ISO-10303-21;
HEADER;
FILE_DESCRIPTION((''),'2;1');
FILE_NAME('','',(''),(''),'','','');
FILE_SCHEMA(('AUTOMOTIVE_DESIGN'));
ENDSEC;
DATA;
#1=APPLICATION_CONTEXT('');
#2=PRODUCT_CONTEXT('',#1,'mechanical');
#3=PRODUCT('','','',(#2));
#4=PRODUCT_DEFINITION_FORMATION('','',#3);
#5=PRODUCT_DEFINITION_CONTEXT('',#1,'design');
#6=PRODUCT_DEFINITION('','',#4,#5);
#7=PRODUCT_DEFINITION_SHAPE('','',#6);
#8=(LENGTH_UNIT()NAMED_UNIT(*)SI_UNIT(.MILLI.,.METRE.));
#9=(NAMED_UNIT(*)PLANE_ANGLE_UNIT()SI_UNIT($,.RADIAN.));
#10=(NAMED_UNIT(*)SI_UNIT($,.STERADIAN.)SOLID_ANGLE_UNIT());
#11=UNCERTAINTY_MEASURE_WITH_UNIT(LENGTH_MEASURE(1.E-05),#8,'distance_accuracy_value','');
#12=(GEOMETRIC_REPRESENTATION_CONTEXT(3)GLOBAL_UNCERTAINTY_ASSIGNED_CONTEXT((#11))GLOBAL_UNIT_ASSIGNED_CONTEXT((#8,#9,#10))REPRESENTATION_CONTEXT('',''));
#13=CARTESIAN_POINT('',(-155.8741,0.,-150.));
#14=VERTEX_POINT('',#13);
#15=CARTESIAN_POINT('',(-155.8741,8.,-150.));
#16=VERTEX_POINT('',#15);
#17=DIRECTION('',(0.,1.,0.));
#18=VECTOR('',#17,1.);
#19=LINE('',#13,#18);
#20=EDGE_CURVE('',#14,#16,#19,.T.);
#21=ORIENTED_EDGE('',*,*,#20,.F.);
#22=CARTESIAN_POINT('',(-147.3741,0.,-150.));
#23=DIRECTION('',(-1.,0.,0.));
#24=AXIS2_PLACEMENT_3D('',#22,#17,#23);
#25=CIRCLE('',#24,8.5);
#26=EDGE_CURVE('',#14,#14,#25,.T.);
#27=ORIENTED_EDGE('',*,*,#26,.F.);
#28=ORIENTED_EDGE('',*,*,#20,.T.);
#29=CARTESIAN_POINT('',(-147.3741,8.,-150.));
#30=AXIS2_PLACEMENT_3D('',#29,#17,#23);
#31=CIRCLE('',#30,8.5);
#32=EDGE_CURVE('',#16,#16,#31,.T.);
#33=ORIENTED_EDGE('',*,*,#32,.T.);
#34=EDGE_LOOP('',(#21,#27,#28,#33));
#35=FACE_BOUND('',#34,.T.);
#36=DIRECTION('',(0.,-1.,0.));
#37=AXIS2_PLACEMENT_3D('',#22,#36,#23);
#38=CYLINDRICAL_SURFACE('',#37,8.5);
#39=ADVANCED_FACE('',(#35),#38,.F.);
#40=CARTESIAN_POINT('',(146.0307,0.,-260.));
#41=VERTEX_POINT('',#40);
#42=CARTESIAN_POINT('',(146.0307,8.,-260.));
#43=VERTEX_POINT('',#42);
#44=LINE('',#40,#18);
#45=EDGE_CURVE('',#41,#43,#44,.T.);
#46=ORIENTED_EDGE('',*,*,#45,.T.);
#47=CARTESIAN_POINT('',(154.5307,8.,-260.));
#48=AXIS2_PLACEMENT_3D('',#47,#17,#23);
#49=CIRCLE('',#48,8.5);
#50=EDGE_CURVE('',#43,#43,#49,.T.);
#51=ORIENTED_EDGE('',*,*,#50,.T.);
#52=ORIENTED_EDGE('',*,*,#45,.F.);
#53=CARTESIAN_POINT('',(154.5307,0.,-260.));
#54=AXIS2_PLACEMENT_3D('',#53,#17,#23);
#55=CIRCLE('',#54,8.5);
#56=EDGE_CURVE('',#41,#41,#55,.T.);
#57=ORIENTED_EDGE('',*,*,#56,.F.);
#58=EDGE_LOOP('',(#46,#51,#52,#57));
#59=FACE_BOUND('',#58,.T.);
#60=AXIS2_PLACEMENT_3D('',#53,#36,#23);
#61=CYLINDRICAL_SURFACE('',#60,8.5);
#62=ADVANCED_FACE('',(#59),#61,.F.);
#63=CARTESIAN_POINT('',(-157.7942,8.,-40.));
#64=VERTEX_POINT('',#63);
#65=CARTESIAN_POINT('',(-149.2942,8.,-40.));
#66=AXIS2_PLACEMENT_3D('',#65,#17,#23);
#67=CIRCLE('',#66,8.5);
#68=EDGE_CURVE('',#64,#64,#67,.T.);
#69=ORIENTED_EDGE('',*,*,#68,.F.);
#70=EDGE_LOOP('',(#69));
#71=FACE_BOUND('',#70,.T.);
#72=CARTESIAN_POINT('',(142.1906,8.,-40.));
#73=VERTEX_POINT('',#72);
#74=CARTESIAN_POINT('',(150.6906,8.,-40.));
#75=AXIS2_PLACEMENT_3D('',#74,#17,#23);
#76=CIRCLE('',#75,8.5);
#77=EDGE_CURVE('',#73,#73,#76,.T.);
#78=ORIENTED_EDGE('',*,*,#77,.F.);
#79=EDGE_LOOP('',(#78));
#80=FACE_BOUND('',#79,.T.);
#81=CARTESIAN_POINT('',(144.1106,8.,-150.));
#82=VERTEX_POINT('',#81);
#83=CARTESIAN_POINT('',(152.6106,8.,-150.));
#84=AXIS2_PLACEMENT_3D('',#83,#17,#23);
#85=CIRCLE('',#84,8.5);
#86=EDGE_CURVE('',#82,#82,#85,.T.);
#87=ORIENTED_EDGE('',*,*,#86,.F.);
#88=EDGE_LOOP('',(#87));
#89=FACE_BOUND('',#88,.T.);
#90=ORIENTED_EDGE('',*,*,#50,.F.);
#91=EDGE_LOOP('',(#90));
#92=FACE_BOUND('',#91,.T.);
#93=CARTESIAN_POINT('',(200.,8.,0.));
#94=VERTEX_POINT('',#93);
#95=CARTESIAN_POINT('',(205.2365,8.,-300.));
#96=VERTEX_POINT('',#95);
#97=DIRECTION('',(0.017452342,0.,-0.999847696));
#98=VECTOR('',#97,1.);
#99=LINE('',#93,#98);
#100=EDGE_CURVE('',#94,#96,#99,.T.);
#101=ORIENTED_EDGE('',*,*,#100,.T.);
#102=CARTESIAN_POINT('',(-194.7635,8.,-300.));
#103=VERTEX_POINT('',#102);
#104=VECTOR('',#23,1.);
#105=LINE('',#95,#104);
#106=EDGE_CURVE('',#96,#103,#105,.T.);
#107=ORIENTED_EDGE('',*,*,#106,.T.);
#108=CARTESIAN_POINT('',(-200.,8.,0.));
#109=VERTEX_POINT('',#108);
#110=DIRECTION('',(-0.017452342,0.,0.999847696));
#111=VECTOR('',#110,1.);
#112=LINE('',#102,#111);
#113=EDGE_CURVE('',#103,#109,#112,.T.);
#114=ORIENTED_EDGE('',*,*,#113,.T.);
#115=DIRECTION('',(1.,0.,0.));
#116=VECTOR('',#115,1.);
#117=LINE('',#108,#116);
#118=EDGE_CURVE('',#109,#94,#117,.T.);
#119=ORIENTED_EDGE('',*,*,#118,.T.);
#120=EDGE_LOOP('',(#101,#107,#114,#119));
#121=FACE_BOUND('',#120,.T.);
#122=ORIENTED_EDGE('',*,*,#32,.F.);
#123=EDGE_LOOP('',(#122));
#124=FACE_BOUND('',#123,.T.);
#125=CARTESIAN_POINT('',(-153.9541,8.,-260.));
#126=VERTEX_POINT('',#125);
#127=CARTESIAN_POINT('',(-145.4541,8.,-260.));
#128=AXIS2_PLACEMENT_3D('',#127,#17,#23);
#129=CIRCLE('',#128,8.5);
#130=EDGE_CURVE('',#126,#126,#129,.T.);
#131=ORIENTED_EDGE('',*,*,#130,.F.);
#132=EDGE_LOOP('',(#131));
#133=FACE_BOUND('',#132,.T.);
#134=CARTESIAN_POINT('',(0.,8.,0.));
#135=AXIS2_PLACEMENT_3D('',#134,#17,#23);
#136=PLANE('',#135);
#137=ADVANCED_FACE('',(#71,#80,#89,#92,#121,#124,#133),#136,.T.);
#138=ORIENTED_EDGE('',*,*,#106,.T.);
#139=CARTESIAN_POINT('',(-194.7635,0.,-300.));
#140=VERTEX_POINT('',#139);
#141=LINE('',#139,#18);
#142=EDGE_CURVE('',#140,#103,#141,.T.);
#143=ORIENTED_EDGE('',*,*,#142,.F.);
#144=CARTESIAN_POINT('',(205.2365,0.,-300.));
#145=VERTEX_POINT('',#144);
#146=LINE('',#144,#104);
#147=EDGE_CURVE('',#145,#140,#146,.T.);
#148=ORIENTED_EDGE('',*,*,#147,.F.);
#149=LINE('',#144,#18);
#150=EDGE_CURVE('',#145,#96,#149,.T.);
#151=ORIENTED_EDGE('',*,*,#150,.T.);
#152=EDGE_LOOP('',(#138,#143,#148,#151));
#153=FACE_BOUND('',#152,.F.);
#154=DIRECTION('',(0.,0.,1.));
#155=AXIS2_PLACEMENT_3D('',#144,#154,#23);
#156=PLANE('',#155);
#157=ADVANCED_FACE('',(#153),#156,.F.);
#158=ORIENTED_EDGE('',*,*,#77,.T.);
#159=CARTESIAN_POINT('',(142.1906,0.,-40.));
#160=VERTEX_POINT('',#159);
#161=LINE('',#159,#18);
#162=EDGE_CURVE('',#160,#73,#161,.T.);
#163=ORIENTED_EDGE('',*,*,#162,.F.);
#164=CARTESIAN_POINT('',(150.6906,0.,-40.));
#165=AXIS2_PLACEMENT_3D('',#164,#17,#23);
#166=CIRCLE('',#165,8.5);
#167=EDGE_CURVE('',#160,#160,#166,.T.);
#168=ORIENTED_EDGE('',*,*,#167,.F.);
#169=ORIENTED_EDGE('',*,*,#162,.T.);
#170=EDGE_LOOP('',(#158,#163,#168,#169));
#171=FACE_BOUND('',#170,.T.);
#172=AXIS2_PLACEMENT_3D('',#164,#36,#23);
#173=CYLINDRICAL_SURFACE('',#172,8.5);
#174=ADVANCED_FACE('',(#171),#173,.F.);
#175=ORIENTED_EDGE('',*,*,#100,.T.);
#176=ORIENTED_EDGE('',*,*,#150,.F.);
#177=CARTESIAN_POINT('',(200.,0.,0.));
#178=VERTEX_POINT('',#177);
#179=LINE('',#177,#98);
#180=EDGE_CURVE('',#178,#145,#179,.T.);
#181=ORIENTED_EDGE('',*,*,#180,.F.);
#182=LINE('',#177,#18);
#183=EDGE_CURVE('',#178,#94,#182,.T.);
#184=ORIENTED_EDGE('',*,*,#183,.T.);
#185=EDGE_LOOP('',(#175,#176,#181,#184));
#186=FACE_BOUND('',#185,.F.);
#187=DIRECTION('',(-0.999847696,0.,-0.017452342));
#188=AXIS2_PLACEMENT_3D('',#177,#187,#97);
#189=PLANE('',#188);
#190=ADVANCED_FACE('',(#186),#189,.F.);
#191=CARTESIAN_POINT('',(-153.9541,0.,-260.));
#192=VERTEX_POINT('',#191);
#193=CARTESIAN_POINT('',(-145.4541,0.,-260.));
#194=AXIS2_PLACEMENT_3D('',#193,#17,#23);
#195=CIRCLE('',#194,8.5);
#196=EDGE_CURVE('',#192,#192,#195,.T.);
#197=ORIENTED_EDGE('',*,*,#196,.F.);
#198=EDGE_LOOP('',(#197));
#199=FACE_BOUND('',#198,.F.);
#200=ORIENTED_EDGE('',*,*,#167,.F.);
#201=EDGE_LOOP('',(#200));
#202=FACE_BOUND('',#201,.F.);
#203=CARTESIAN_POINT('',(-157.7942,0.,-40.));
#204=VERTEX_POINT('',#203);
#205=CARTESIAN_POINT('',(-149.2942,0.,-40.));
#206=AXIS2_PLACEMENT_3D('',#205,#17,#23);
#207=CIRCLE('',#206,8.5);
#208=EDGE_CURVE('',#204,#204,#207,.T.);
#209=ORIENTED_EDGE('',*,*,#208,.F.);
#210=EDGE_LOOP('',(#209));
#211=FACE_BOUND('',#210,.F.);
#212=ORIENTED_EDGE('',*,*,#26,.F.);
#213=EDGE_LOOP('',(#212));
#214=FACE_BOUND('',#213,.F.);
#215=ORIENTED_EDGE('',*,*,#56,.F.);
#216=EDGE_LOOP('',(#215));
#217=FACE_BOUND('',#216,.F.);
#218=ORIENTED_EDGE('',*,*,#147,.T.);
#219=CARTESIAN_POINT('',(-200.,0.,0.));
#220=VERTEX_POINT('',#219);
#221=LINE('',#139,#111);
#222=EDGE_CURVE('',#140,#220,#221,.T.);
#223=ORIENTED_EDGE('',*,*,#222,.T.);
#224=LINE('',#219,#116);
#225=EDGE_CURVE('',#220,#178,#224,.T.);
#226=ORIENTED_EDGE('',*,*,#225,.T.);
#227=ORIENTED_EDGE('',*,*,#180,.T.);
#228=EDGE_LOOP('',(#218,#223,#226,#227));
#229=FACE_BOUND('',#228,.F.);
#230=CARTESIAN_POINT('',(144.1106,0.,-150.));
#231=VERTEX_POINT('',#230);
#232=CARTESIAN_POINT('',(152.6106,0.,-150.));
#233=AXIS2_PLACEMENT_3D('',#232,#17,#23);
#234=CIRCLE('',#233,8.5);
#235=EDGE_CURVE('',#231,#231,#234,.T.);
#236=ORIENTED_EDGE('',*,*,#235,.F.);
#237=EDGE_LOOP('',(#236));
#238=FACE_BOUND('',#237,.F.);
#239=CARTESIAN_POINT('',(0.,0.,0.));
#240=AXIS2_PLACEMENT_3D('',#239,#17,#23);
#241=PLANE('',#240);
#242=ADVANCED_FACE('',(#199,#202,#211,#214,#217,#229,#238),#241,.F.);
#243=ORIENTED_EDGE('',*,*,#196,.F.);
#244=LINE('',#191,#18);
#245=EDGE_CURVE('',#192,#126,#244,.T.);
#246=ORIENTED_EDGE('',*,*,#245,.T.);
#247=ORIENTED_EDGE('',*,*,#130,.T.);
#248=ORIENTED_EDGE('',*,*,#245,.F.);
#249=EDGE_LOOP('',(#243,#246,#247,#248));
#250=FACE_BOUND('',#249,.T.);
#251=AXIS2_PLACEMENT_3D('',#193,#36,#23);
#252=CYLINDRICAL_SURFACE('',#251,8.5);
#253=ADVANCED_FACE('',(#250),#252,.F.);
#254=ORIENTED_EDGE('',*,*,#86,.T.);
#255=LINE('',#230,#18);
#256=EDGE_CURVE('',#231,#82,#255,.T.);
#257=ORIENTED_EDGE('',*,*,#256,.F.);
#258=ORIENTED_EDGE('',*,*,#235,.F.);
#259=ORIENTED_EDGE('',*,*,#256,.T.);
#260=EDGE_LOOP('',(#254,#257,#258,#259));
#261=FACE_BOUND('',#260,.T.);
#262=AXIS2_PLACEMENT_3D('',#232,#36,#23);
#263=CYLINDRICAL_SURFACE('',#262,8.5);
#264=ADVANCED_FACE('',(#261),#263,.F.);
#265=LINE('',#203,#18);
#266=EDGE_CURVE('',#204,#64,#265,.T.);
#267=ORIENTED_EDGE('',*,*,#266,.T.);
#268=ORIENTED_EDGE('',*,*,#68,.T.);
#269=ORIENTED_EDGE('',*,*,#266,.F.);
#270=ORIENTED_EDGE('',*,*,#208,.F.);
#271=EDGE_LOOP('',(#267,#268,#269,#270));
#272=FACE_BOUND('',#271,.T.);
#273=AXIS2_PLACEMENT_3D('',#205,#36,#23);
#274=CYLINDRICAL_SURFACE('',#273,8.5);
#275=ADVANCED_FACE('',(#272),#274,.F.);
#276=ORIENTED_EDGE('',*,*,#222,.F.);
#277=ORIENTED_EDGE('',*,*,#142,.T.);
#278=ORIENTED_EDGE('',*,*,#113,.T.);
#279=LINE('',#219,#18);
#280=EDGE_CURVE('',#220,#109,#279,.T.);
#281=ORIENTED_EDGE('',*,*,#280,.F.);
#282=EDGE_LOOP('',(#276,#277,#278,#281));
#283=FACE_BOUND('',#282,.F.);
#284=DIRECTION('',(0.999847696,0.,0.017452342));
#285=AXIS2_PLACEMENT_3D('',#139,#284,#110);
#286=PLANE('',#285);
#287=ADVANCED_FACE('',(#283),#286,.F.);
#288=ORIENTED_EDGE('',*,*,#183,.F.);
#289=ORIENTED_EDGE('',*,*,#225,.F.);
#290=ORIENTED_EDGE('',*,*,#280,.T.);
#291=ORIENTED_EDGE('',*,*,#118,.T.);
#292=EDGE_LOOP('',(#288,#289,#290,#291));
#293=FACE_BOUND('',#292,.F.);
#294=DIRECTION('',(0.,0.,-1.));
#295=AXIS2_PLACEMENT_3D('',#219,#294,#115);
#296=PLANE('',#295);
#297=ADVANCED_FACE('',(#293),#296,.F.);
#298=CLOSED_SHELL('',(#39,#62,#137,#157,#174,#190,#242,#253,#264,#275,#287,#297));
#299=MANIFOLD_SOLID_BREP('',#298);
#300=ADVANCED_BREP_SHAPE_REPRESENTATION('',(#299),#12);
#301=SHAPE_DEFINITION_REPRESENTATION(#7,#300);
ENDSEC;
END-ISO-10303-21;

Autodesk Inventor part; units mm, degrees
ref_plane "YZ Plane" through (0, 0, 0) normal (1, 0, 0) x (0, 1, 0)
ref_plane "XZ Plane" through (0, 0, 0) normal (0, 1, 0) x (-1, 0, 0)
ref_plane "XY Plane" through (0, 0, 0) normal (0, 0, 1) x (1, 0, 0)
sketch "Sketch5" plane through (0, 0, 0) normal (0, 1, 0) x (-1, 0, 0)
  line L0 (200, 0) -> (-200, 0)
  line L1 (-205.2365, -300) -> (194.7635, -300)
  line L2 (194.7635, -300) -> (200, 0)
  line L3 (-200, 0) -> (-205.2365, -300)
  line L4 (-200, 0) -> (-200, -300) construction
  line L5 (-150.6906, -40) -> (-154.5307, -260) construction
  line L6 (149.2942, -40) -> (145.4541, -260) construction
  line L7 (145.4541, -260) -> (195.4465, -260.8726) construction
  line L8 (-154.5307, -260) -> (-204.5231, -259.1274) construction
  circle A0 centre (149.2942, -40) radius 8.5
  circle A1 centre (147.3741, -150) radius 8.5
  circle A2 centre (145.4541, -260) radius 8.5
  circle A3 centre (-150.6906, -40) radius 8.5
  circle A4 centre (-152.6106, -150) radius 8.5
  circle A5 centre (-154.5307, -260) radius 8.5
  point P0 (0, 0)
  point P1 (0, 0)
  dimension "d26" = 400
  dimension "d27" = 1
  dimension "d28" = 400
  dimension "d29" = 300
  dimension "d31" = 50
  dimension "d33" = 40
  dimension "d34" = 40
  dimension "d35" = 17
extrude "Plate3" add sketch "Sketch5" along normal blind 8
equation "\"d28\" = d26"
equation "\"d34\" = d33"
equation "\"d30\" = Thickness"
equation "\"BendRadius\" = Thickness"
equation "\"BendReliefWidth\" = Thickness"
equation "\"BendReliefDepth\" = 0.5 * Thickness"
equation "\"CornerReliefSize\" = 4 * Thickness"
equation "\"MinimumRemnant\" = 2 * Thickness"
equation "\"TransitionRadius\" = BendRadius"
equation "\"JacobiRadiusSize\" = BendRadius"
equation "\"GapSize\" = Thickness"
equation "\"Thickness\" = 8"
properties part number "Сrane plate 3"
